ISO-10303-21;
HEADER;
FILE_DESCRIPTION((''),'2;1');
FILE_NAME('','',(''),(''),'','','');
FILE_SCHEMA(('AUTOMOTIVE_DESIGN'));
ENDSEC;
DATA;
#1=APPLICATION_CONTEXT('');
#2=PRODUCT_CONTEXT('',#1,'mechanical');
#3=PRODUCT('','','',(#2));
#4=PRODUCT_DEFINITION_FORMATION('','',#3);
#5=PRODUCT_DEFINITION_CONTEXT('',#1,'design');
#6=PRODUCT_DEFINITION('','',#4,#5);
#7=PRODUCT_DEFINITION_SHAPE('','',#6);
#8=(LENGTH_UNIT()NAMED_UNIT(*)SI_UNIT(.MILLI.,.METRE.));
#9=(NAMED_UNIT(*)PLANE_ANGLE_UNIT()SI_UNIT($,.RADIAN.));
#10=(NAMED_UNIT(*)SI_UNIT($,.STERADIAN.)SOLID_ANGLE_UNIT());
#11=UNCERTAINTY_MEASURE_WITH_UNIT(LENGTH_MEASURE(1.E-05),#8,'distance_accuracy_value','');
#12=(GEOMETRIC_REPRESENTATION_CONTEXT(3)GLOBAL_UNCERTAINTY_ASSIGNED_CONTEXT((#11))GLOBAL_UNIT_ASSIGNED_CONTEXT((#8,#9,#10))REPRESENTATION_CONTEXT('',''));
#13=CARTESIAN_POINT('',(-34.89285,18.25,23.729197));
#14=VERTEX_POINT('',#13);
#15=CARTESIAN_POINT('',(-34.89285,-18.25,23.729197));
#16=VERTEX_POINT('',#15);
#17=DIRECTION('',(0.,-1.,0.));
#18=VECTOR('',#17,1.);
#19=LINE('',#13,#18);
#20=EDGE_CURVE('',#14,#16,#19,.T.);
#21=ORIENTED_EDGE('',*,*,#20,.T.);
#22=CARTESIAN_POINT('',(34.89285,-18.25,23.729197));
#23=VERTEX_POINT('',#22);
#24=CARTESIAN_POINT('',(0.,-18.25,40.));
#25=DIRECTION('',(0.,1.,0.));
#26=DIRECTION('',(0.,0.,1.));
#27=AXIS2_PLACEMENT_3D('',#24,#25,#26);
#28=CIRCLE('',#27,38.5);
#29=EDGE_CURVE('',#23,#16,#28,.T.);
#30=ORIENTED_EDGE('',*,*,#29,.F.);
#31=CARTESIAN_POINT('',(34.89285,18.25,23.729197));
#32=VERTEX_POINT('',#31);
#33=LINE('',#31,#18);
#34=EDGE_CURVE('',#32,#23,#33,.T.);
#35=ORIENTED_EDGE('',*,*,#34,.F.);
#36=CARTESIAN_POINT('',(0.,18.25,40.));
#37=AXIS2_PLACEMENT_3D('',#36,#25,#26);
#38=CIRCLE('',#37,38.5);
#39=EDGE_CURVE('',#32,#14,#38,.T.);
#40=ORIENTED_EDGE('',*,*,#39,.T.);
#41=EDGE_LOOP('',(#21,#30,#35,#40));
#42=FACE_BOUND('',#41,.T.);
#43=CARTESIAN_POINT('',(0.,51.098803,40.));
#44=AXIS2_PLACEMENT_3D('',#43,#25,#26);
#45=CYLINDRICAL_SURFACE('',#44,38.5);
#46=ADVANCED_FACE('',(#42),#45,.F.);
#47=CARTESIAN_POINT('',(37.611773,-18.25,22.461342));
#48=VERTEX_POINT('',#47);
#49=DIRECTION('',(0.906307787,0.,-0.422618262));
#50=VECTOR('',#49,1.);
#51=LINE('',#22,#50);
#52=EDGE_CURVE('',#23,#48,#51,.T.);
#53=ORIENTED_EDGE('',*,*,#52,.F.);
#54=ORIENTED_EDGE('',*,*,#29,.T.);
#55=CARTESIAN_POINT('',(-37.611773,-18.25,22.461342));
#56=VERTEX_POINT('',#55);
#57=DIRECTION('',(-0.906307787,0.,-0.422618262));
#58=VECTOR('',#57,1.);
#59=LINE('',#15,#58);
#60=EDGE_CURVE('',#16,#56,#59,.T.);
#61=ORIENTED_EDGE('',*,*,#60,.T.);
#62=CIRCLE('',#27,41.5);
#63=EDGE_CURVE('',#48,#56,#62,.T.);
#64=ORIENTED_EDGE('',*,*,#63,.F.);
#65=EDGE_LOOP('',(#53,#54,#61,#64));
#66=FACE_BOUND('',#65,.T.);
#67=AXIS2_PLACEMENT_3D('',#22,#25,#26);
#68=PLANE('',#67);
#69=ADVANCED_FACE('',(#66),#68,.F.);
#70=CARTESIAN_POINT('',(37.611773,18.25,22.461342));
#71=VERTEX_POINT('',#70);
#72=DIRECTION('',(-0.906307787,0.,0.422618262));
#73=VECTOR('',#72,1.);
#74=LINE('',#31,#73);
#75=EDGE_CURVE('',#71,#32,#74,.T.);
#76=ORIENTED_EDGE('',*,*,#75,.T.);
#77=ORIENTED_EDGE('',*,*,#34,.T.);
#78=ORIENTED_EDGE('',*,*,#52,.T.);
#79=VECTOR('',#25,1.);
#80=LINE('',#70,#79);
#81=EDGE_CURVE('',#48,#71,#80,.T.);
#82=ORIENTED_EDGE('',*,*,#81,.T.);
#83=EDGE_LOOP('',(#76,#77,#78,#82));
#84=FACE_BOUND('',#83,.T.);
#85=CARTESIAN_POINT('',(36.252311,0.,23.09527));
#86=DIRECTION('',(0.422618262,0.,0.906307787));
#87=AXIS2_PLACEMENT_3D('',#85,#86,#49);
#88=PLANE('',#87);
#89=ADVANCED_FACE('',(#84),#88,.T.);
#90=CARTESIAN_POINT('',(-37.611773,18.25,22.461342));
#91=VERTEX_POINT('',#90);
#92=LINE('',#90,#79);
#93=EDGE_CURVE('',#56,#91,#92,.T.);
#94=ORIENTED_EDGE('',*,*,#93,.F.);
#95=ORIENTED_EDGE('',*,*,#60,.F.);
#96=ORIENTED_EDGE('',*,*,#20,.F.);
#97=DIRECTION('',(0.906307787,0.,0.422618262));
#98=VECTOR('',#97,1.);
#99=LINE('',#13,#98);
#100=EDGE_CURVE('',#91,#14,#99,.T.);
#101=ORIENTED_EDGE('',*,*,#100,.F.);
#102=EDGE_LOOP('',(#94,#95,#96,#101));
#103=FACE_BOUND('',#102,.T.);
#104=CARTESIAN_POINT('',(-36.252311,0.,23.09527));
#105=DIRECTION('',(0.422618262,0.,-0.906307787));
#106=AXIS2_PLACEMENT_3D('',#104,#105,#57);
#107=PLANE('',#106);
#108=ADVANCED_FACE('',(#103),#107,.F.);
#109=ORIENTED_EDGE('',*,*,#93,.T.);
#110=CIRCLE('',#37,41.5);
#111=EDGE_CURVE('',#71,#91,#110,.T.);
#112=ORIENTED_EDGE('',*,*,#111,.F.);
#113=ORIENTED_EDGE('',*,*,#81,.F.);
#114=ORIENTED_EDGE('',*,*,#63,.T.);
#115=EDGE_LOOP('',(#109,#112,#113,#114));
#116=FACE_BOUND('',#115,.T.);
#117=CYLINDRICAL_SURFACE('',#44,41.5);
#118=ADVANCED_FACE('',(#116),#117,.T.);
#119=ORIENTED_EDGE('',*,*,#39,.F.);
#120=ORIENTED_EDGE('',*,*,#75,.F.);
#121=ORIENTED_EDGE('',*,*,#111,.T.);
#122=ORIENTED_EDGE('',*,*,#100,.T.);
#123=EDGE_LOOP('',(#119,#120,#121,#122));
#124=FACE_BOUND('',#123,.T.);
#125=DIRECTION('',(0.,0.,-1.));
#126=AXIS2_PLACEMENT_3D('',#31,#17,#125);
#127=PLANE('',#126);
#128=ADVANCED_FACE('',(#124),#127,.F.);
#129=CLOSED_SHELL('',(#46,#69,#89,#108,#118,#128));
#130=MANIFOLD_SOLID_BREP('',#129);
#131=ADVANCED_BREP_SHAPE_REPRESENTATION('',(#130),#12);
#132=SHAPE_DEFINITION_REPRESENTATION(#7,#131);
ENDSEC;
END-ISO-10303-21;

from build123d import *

# Parameters (mm, degrees)
SKETCH2_W                = 3
SKETCH2_H                = 36.5
REVOLVE1_ANGLE           = 65
REVOLVE1_OTHER_WAY_ANGLE = 65


with BuildPart() as part:
    # Sketch2 → Revolve1 (revolve)
    with BuildSketch(Plane(origin=(0, 0, 0), x_dir=(0, 0, -1), z_dir=(1, 0, 0))):
        Rectangle(SKETCH2_W, SKETCH2_H)
    revolve(axis=Axis((0, 51.098803243, 40), (0, -1, 0)), revolution_arc=REVOLVE1_ANGLE)

    # Sketch2 → Revolve1 other way (revolve)
    with BuildSketch(Plane(origin=(0, 0, 0), x_dir=(0, 0, -1), z_dir=(1, 0, 0))):
        Rectangle(SKETCH2_W, SKETCH2_H)
    revolve(axis=Axis((0, 51.098803243, 40), (0, 1, 0)), revolution_arc=REVOLVE1_OTHER_WAY_ANGLE)


solid = part.part
